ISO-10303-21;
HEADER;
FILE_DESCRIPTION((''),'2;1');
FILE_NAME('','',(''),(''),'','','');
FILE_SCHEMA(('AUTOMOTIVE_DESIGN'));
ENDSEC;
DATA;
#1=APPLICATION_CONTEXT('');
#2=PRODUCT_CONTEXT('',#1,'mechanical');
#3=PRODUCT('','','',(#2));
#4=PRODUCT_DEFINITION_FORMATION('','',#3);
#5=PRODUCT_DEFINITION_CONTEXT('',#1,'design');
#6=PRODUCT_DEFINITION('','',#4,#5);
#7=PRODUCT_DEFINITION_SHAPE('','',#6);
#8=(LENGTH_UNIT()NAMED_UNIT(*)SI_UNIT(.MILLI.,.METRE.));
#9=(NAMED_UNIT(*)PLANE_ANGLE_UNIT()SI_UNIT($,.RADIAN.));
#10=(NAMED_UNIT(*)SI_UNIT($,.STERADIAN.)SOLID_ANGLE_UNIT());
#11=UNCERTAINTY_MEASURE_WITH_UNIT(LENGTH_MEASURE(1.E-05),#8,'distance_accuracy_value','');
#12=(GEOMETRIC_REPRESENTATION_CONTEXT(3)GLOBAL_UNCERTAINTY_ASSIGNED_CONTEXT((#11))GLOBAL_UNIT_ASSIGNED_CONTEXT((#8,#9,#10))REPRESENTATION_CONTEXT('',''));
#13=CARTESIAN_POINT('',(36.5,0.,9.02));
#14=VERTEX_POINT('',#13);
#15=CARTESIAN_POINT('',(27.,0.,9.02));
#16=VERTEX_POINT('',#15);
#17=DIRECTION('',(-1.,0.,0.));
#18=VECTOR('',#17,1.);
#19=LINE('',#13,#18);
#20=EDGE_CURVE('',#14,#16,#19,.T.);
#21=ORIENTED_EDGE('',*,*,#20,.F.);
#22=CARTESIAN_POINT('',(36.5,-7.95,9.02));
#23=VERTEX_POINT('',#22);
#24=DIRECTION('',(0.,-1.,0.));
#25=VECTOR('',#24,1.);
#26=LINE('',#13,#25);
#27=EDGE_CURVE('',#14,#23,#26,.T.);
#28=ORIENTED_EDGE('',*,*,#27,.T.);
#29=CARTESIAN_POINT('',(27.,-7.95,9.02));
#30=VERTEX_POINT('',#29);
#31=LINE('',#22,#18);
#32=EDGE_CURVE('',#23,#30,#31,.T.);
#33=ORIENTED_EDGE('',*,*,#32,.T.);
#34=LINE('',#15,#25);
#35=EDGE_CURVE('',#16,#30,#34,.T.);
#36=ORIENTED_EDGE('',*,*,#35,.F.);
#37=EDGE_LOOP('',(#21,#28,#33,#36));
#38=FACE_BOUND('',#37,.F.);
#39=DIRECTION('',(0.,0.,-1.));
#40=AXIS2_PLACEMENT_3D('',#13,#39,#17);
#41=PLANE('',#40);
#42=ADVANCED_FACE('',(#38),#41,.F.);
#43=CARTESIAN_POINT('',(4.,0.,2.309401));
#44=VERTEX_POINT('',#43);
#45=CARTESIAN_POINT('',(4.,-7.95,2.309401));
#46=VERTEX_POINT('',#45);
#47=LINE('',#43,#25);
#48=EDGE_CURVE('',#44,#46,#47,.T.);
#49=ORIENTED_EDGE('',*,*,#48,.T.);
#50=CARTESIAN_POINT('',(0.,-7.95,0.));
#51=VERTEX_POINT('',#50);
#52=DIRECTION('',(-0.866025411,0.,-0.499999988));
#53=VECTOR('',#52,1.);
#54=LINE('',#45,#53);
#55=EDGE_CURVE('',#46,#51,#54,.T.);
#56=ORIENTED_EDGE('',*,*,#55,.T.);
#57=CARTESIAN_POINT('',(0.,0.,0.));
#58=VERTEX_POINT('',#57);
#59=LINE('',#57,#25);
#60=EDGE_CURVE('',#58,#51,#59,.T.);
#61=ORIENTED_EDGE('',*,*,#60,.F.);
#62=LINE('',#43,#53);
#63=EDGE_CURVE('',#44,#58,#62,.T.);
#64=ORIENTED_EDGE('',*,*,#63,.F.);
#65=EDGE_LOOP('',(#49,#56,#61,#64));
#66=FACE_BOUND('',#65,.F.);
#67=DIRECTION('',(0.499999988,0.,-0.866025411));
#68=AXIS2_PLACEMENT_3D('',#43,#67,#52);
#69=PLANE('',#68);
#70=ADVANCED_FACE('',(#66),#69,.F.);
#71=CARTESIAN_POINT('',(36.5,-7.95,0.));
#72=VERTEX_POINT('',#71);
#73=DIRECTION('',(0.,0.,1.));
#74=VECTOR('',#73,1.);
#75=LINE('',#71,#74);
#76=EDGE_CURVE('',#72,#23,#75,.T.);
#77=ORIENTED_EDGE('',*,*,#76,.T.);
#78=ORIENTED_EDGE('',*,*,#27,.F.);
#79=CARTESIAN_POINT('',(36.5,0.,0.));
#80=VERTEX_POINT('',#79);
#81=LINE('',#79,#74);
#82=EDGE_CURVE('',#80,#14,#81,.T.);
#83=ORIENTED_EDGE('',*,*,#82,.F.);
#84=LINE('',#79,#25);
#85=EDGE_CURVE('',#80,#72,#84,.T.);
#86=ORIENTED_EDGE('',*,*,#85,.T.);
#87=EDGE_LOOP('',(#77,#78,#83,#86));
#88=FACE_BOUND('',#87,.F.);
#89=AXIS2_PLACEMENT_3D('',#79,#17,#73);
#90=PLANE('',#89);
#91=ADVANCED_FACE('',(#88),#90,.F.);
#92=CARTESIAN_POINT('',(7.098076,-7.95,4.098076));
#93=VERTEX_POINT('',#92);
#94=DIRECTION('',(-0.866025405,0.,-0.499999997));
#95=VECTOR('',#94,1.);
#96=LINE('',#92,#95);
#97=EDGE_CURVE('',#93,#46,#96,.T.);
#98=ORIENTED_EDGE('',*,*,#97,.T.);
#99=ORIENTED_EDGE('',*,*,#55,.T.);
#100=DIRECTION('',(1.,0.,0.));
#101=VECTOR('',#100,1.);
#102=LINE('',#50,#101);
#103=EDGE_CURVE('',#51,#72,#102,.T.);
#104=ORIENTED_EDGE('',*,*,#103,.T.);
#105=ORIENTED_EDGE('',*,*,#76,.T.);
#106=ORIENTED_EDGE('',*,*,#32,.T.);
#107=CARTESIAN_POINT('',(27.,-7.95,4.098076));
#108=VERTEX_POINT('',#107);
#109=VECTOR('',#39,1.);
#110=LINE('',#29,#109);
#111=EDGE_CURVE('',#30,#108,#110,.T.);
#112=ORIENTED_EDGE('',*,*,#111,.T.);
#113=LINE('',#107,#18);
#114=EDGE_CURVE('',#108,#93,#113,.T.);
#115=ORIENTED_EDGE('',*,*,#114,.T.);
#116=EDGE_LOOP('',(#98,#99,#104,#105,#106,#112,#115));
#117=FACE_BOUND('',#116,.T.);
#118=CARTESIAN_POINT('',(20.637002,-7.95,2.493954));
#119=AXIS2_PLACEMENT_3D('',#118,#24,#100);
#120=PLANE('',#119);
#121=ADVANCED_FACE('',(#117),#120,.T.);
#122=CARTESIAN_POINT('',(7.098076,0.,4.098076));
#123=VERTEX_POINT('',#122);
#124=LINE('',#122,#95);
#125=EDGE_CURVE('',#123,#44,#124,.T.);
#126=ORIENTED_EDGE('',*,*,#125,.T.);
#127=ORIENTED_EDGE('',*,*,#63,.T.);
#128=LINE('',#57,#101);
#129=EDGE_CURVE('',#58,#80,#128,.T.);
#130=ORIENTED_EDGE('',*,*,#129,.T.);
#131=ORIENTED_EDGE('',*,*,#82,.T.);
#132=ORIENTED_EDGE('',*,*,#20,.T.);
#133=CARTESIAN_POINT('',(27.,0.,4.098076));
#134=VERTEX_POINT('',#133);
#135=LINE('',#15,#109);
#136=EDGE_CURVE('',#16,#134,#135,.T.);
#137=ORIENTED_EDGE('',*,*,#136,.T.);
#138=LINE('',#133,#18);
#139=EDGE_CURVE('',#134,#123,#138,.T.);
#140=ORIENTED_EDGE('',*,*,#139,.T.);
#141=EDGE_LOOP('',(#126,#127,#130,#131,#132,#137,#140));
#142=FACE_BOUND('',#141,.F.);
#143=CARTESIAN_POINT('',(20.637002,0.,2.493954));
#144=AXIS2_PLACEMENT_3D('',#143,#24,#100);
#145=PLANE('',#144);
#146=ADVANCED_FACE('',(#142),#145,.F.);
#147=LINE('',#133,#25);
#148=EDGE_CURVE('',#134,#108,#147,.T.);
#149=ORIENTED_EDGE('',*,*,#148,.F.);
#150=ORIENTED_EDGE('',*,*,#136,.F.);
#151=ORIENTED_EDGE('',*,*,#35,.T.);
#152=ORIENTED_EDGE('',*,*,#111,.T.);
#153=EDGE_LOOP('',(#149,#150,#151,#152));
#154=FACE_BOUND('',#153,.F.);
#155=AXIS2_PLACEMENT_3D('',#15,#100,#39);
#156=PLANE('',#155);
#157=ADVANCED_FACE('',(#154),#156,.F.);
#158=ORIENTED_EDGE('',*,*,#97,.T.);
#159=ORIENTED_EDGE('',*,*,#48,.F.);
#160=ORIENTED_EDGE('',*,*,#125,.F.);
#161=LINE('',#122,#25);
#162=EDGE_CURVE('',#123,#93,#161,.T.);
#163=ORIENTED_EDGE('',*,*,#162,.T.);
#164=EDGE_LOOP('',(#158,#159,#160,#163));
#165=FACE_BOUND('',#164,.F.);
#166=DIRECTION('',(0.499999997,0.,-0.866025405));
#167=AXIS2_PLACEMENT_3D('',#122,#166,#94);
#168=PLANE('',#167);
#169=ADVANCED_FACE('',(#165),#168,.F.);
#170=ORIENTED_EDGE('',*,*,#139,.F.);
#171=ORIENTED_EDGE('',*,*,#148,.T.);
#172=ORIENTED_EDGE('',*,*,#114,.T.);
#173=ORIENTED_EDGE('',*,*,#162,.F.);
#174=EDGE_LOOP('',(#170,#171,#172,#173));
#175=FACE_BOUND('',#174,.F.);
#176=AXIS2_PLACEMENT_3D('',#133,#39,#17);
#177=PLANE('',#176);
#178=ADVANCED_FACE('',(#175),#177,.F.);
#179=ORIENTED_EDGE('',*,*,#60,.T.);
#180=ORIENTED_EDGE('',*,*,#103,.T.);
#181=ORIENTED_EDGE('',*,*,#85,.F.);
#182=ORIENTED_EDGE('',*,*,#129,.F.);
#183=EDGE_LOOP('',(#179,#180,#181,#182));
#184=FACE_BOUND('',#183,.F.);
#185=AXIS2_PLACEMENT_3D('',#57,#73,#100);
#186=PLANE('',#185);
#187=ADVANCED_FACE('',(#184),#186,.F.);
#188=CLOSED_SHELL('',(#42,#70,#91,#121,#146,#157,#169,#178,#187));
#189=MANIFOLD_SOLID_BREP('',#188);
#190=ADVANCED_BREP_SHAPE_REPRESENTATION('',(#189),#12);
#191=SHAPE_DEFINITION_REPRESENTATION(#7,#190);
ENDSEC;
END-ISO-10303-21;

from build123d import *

# Parameters (mm, degrees)
F1_DEPTH = 7.95


with BuildPart() as f1:
    # F0 (on Front) → F1 (new body)
    with BuildSketch(Plane.XZ):
        Polygon((4, 2.309401), (0, 0), (36.5, 0), (36.5, 9.02), (27, 9.02), (27, 4.098076), (27, 2.309401), align=None)
        Polygon((7.098076, 4.098076), (4, 2.309401), (27, 2.309401), (27, 4.098076), align=None)
    extrude(amount=F1_DEPTH)


solid = f1.part
